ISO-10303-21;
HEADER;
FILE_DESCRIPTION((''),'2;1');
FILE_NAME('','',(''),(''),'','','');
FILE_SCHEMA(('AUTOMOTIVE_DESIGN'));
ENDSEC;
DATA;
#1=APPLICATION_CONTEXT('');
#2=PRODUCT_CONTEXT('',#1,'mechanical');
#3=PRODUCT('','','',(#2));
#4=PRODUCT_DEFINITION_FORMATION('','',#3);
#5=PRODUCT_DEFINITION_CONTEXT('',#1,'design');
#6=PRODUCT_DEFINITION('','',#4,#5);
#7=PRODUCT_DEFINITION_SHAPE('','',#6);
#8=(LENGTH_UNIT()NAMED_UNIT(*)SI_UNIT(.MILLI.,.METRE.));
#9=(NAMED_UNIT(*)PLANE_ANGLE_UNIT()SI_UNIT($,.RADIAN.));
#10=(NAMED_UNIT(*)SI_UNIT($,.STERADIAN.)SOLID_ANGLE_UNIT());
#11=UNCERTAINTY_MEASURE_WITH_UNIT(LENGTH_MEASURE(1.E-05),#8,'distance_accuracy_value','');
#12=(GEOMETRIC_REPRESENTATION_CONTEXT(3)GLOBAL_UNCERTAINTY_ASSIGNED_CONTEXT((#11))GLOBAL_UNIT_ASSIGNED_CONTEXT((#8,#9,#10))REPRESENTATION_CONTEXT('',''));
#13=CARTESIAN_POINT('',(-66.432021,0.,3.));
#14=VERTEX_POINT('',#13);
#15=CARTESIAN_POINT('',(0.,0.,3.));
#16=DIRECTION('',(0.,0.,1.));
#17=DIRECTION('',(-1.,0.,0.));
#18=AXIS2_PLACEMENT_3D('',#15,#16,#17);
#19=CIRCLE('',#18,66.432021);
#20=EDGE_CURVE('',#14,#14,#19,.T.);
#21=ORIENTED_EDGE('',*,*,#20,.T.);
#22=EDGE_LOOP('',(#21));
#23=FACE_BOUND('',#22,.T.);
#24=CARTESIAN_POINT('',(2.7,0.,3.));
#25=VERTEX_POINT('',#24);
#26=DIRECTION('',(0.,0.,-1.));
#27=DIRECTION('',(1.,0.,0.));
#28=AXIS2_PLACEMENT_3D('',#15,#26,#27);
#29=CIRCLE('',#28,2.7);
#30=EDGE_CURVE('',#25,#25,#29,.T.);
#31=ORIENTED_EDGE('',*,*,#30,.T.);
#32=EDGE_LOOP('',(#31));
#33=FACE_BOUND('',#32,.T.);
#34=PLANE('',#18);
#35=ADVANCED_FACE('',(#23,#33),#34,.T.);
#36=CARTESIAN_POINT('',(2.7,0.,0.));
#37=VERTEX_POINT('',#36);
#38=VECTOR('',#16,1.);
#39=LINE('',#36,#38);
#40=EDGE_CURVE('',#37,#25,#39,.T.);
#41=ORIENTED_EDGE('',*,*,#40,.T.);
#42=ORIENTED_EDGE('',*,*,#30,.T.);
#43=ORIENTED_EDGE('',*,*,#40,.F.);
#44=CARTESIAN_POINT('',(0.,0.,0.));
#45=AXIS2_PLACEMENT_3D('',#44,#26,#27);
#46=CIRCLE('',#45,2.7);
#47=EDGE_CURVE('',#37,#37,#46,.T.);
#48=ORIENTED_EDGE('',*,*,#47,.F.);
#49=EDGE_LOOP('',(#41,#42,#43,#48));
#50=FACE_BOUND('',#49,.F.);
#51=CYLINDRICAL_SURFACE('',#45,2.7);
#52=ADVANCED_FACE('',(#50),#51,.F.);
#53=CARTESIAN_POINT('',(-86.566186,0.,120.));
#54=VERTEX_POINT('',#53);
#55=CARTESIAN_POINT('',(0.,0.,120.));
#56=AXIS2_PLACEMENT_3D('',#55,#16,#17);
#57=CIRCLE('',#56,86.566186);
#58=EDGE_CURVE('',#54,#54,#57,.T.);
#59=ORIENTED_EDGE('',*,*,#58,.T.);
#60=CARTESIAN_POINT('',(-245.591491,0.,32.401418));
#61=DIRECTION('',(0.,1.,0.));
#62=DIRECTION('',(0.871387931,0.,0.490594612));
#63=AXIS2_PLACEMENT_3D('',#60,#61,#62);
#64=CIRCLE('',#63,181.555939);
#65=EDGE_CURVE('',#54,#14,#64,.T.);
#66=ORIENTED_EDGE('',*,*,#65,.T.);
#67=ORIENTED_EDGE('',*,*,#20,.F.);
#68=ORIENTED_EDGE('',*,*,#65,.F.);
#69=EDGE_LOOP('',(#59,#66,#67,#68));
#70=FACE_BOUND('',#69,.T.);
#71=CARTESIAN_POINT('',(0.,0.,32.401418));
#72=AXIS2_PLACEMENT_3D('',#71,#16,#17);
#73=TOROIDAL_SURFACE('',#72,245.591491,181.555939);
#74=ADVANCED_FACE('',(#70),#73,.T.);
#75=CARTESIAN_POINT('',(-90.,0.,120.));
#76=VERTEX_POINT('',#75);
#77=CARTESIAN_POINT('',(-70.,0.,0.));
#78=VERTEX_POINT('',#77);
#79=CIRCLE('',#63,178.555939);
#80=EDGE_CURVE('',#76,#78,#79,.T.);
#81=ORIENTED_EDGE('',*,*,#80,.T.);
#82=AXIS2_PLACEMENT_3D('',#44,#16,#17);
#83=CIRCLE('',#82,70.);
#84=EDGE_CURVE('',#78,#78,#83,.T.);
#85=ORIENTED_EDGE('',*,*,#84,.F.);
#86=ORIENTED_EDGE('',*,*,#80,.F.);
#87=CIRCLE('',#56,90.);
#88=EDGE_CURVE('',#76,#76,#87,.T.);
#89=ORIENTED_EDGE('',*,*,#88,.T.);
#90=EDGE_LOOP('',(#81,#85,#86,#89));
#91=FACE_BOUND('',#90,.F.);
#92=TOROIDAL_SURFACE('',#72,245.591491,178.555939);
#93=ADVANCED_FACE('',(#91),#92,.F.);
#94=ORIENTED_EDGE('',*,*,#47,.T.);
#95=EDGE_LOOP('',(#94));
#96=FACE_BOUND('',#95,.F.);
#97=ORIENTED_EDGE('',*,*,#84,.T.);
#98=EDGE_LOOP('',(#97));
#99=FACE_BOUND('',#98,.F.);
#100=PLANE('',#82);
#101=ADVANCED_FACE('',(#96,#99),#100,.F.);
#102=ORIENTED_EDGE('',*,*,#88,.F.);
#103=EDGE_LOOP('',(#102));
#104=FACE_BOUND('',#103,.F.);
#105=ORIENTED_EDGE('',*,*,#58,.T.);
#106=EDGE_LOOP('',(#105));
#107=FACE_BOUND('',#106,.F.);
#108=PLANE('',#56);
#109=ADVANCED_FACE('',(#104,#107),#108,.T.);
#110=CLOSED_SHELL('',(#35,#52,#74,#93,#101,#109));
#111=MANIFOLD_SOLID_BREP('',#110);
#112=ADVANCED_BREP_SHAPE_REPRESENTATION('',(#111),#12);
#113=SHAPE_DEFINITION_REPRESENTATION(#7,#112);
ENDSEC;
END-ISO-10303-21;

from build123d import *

# Parameters (mm, degrees)
F2_T     = -3
F3_R     = 2.7
F4_DEPTH = 25


with BuildPart() as f1:
    # F0 (on Front) → F1 (revolve)
    with BuildSketch(Plane.XZ):
        with BuildLine():
            Line((-70, 0), (0, 0))
            Line((0, 0), (0, 120))
            Line((0, 120), (-90, 120))
            ThreePointArc((-90, 120), (-69.464997, 61.755834), (-70, 0))
        make_face()
    revolve(axis=Axis((0, 0, 60), (0, 0, 1)))

    # F2
    f2_openings = [f1.faces().sort_by_distance(p)[0] for p in [
        (0, 0, 120),
    ]]
    offset(amount=F2_T, openings=f2_openings)

    # F3 (on face) → F4 (cut)
    with BuildSketch(Plane(origin=(0, 0, 0), x_dir=(1, 0, 0), z_dir=(0, 0, -1))):
        Circle(F3_R)
    extrude(amount=-F4_DEPTH, mode=Mode.SUBTRACT)


solid = f1.part
